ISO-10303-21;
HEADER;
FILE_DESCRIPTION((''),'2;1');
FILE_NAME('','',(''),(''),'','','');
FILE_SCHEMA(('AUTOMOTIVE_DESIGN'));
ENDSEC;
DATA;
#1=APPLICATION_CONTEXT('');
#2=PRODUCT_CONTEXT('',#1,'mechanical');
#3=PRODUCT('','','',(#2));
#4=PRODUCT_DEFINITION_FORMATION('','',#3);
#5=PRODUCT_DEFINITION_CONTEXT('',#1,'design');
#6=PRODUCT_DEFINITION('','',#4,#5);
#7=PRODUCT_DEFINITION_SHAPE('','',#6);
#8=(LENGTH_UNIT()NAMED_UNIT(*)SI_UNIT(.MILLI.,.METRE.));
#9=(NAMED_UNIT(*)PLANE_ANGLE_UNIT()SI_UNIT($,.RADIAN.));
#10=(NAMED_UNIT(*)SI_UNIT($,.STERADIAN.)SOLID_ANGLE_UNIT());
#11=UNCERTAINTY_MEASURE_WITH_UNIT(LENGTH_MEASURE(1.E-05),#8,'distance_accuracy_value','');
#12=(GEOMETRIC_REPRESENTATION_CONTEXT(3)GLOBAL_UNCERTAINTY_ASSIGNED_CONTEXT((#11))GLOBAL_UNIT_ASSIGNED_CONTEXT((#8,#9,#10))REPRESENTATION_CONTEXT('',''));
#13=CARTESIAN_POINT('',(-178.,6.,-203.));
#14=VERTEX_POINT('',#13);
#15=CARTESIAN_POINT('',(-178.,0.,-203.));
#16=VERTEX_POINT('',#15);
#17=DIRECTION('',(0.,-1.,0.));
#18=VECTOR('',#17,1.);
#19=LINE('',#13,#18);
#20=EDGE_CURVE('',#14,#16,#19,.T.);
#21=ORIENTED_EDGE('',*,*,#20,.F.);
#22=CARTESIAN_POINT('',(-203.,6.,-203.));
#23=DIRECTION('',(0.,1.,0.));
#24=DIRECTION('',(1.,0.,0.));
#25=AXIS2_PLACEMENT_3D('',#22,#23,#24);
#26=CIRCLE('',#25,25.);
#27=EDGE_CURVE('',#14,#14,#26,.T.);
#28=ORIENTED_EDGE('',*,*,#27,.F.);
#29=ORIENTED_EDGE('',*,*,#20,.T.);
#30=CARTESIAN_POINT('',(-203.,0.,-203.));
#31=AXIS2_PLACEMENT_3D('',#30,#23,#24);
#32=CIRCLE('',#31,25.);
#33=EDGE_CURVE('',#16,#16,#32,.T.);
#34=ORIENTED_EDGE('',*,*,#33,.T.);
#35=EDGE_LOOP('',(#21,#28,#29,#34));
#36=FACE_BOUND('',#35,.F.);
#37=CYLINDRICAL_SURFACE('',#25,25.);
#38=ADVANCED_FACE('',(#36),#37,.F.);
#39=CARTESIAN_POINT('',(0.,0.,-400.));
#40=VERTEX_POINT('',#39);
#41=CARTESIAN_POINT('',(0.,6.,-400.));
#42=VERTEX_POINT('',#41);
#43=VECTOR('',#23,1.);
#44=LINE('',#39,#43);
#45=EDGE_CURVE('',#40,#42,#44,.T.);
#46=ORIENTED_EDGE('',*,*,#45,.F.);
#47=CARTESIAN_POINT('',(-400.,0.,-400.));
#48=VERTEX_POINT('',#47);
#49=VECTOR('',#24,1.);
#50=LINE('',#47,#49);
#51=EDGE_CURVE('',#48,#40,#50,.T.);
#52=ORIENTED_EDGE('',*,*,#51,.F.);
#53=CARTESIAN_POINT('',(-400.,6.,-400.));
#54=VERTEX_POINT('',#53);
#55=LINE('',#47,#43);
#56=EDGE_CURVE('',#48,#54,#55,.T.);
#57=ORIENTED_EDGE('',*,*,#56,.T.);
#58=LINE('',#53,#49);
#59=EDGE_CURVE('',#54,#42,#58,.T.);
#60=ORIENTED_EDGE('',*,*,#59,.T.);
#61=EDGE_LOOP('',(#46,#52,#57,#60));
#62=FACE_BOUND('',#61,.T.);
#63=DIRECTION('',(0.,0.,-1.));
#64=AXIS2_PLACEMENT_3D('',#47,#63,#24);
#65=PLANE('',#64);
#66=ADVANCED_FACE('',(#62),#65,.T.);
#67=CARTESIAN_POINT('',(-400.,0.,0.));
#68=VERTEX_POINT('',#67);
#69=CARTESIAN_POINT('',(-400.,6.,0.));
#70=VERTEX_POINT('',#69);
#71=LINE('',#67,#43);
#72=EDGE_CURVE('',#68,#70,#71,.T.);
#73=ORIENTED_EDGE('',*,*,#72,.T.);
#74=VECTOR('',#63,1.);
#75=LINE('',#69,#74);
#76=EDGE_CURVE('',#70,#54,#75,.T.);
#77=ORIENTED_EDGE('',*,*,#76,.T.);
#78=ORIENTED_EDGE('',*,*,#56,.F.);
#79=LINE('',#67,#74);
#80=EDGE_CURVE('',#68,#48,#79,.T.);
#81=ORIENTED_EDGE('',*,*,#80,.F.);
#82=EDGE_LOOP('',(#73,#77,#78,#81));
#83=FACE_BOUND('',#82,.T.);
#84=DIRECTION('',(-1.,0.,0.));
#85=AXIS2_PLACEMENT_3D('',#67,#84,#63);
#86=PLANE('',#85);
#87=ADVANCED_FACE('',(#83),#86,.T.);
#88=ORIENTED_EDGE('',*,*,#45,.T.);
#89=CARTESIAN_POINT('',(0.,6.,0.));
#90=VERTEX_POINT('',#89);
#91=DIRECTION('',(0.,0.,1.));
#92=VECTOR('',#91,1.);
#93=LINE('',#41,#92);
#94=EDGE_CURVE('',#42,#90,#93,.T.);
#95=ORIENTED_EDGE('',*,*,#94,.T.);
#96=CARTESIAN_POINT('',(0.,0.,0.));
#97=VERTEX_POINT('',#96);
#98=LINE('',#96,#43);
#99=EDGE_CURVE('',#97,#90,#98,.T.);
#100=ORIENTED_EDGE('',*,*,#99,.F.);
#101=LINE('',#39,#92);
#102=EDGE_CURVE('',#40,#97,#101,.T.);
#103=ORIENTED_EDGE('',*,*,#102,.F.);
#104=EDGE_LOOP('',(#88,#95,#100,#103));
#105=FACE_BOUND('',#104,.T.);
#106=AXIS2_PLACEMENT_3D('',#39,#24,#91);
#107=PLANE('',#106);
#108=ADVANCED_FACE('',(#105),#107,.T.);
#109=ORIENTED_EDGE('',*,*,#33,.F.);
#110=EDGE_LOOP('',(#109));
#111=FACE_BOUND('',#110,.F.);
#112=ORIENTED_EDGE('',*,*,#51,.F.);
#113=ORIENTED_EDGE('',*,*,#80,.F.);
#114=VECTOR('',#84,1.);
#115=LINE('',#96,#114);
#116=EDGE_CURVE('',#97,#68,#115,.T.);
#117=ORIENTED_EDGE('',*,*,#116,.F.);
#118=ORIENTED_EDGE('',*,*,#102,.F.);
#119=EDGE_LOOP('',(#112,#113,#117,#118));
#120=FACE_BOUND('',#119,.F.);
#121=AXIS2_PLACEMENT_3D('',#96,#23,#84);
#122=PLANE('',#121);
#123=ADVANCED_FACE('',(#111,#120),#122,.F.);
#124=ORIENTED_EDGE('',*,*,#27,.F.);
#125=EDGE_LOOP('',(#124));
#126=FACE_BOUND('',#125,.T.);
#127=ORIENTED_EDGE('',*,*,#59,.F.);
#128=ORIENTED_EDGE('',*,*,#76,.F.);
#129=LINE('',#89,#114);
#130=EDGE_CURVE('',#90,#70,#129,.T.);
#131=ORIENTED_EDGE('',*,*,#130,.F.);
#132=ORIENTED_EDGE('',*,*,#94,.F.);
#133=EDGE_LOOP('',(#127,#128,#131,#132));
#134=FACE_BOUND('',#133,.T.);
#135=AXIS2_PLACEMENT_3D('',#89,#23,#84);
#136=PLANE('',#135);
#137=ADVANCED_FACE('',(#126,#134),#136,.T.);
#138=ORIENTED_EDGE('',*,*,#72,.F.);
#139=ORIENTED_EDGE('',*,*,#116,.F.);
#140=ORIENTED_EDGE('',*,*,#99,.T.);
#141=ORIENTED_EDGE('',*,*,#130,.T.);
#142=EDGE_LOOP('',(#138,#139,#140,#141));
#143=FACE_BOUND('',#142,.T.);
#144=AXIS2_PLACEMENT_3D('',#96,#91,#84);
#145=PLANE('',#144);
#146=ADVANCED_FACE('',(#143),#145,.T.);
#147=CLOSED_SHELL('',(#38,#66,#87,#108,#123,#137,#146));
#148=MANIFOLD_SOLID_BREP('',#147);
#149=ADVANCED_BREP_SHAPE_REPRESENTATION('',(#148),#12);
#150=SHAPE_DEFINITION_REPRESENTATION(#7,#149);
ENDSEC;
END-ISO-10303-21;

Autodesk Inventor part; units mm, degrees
ref_plane "YZ Plane" through (0, 0, 0) normal (1, 0, 0) x (0, 1, 0)
ref_plane "XZ Plane" through (0, 0, 0) normal (0, 1, 0) x (-1, 0, 0)
ref_plane "XY Plane" through (0, 0, 0) normal (0, 0, 1) x (1, 0, 0)
sketch "Эскиз1" plane through (0, 0, 0) normal (0, 1, 0) x (-1, 0, 0)
  line L0 (0, 0) -> (400, 0)
  line L1 (400, 0) -> (400, -400)
  line L2 (400, -400) -> (0, -400)
  line L3 (0, -400) -> (0, 0)
  dimension "d0" = 400
  dimension "d1" = 400
extrude "Выдавливание1" add sketch "Эскиз1" along normal blind 6
sketch "Эскиз2" plane through (0, 6, 0) normal (0, 1, 0) x (1, 0, 0)
  circle A0 centre (-203, 203) radius 25
  line L0 (-400, 0) -> (0, 0) projected
  line L1 (0, 0) -> (0, 400) projected
  dimension "d4" = 50
  dimension "d5" = 203
  dimension "d6" = 203
extrude "Выдавливание2" cut sketch "Эскиз2" against normal blind 6
sketch "Эскиз3" plane through (0, 6, 0) normal (0, 1, 0) x (1, 0, 0)
  line L0 (-400, 0) -> (0, 0) projected
  line L1 (0, 0) -> (-3, 0)
  line L2 (-3, 0) -> (-3, 3)
  line L3 (-3, 3) -> (0, 3)
  line L4 (0, 3) -> (0, 0)
  line L5 (0, 0) -> (0, 400) projected
  line L6 (0, 400) -> (-3, 400)
  line L7 (-3, 400) -> (-3, 397)
  line L8 (-3, 397) -> (0, 397)
  line L9 (0, 397) -> (0, 400)
  line L10 (-400, 400) -> (-400, 0) projected
  line L11 (-400, 400) -> (-397, 400)
  line L12 (-397, 400) -> (-397, 397)
  line L13 (-397, 397) -> (-400, 397)
  line L14 (-400, 397) -> (-400, 400)
  line L15 (-400, 0) -> (-397, 0)
  line L16 (-397, 0) -> (-397, 3)
  line L17 (-397, 3) -> (-400, 3)
  line L18 (-400, 3) -> (-400, 0)
  point P0 (0, 397)
  point P1 (-400, 3)
  point P2 (-397, 0)
  dimension "d9" = 3
  dimension "d10" = 3
  dimension "d11" = 3
  dimension "d12" = 3
  dimension "d13" = 3
  dimension "d14" = 3
  dimension "d15" = 3
properties part number "Днище"
